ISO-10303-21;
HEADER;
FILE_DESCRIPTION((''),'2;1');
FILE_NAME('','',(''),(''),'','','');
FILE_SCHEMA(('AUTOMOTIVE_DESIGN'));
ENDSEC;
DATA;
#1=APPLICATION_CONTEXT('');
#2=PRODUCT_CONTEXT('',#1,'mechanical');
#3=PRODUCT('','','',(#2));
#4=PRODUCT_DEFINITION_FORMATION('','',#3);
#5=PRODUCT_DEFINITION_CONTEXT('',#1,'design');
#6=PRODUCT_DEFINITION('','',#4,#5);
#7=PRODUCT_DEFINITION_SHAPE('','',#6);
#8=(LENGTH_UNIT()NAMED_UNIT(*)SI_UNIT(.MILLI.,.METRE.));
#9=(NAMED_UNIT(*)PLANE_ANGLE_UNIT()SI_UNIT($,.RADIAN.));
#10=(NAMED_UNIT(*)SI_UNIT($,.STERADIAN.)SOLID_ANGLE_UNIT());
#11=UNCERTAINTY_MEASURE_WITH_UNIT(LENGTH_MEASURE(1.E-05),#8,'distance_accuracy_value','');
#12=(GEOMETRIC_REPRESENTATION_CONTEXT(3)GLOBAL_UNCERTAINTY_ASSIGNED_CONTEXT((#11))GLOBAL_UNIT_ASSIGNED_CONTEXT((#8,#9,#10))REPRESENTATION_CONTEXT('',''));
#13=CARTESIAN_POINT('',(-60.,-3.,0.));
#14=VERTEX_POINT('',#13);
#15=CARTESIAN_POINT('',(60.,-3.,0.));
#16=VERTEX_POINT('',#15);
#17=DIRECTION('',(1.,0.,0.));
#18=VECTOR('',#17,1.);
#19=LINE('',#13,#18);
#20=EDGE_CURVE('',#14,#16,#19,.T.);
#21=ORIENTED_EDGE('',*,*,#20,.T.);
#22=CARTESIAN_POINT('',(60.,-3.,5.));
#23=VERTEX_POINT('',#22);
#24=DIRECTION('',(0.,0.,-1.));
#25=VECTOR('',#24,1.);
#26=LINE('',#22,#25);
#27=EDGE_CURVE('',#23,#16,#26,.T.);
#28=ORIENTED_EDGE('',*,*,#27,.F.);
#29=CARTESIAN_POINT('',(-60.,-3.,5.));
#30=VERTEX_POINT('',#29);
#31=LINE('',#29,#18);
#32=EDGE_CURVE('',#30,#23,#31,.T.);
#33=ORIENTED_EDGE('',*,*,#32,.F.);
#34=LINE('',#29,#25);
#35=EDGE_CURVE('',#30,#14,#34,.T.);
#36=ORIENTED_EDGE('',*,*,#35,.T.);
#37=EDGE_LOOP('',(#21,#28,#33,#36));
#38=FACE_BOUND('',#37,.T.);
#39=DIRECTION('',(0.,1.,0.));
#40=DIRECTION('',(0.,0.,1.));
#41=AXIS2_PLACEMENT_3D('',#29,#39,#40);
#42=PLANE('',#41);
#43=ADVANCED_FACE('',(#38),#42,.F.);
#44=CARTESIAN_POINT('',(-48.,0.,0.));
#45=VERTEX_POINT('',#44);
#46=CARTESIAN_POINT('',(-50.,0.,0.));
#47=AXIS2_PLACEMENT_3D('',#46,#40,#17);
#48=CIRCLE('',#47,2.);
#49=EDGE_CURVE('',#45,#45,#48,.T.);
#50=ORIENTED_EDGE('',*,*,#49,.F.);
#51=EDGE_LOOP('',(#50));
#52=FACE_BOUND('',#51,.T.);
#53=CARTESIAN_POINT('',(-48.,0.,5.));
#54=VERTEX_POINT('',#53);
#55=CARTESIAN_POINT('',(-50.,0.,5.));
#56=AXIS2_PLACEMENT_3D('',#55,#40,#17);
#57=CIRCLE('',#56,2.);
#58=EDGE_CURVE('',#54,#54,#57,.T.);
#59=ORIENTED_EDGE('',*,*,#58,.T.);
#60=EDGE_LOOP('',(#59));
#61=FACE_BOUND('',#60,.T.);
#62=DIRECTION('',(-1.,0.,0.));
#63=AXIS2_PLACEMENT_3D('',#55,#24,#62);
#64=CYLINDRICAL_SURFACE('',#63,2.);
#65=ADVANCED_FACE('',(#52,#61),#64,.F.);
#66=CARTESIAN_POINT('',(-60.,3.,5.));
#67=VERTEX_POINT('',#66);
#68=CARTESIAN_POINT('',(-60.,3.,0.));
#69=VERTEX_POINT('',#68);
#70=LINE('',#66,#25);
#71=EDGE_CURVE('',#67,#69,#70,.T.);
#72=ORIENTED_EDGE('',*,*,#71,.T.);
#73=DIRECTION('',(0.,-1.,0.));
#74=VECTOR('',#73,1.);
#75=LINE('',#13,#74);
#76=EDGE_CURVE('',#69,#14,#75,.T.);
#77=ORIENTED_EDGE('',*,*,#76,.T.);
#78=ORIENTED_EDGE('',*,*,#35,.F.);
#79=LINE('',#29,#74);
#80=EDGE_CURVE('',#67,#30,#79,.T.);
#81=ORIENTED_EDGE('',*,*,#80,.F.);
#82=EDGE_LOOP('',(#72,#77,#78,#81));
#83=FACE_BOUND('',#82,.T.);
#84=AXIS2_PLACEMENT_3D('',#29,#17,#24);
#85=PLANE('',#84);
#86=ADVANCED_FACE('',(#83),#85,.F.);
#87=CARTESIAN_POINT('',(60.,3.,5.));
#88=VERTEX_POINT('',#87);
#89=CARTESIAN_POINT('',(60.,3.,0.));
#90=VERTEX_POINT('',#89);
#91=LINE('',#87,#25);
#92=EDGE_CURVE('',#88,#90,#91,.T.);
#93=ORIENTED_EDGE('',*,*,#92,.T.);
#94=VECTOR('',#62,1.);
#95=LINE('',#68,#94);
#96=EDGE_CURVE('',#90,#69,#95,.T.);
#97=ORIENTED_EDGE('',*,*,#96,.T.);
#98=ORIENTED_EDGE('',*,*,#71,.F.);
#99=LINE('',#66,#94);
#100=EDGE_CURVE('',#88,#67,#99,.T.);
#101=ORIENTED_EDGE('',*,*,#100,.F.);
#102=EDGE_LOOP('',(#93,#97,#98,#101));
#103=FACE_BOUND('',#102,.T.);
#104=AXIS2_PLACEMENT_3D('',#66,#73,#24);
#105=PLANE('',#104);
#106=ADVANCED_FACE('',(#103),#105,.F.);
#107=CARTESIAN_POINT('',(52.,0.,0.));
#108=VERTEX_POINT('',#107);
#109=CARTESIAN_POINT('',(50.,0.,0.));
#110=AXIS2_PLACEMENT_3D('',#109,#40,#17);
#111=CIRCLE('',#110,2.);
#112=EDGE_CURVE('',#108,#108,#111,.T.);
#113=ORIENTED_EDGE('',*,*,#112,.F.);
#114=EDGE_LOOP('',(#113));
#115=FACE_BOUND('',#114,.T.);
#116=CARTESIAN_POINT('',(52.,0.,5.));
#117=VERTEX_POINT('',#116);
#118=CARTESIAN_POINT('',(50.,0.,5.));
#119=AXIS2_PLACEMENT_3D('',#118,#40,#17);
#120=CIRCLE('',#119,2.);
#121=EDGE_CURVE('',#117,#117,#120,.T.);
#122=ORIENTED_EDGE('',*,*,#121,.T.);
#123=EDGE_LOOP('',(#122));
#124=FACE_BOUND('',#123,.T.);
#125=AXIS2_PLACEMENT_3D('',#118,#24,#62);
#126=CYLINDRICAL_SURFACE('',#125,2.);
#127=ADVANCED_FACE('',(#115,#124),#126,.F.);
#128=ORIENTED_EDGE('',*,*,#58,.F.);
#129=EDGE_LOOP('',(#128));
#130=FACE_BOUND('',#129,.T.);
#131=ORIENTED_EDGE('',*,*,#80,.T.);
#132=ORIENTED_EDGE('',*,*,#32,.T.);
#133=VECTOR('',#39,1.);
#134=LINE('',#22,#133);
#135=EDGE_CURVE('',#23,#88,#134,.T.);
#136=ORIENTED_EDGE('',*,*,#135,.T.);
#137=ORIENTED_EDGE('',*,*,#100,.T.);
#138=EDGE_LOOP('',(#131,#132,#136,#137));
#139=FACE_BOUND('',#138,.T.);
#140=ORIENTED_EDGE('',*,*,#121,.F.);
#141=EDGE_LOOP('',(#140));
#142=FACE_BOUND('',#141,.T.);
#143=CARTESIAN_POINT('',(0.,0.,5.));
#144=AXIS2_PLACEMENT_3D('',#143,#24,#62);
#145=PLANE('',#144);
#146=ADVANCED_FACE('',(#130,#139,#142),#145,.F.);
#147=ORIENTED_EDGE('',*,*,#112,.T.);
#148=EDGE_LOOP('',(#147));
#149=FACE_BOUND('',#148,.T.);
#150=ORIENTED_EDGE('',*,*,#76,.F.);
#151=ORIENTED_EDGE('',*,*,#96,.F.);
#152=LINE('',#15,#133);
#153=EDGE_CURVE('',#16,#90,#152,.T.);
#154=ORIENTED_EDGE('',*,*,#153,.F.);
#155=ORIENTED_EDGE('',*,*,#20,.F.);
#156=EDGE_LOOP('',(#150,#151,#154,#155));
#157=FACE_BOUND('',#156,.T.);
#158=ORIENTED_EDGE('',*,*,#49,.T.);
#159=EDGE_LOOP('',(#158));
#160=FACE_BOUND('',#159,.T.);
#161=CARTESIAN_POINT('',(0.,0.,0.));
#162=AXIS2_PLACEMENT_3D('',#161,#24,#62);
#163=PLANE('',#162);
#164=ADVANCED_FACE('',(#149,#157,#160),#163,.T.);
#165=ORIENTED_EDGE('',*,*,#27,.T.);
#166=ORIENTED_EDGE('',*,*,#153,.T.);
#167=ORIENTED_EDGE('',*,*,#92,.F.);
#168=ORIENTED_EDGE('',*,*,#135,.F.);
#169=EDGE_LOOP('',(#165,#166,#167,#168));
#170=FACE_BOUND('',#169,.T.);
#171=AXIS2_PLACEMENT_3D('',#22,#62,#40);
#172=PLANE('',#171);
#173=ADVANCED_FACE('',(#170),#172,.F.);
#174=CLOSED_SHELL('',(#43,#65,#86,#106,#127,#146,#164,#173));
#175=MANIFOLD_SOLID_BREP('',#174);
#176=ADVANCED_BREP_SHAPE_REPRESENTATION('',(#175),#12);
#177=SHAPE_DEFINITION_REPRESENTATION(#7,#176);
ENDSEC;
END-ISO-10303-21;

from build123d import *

# Parameters (mm, degrees)
SKETCH1_W           = 120
SKETCH1_H           = 6
SKETCH1_R           = 2
BOSS_EXTRUDE1_DEPTH = 5


with BuildPart() as part:
    # Sketch1 → Boss-Extrude1 (new body)
    with BuildSketch(Plane.XY):
        Rectangle(SKETCH1_W, SKETCH1_H)
        with Locations((-50, 0)):
            Circle(SKETCH1_R, mode=Mode.SUBTRACT)
        with Locations((50, 0)):
            Circle(SKETCH1_R, mode=Mode.SUBTRACT)
    extrude(amount=BOSS_EXTRUDE1_DEPTH)


solid = part.part
